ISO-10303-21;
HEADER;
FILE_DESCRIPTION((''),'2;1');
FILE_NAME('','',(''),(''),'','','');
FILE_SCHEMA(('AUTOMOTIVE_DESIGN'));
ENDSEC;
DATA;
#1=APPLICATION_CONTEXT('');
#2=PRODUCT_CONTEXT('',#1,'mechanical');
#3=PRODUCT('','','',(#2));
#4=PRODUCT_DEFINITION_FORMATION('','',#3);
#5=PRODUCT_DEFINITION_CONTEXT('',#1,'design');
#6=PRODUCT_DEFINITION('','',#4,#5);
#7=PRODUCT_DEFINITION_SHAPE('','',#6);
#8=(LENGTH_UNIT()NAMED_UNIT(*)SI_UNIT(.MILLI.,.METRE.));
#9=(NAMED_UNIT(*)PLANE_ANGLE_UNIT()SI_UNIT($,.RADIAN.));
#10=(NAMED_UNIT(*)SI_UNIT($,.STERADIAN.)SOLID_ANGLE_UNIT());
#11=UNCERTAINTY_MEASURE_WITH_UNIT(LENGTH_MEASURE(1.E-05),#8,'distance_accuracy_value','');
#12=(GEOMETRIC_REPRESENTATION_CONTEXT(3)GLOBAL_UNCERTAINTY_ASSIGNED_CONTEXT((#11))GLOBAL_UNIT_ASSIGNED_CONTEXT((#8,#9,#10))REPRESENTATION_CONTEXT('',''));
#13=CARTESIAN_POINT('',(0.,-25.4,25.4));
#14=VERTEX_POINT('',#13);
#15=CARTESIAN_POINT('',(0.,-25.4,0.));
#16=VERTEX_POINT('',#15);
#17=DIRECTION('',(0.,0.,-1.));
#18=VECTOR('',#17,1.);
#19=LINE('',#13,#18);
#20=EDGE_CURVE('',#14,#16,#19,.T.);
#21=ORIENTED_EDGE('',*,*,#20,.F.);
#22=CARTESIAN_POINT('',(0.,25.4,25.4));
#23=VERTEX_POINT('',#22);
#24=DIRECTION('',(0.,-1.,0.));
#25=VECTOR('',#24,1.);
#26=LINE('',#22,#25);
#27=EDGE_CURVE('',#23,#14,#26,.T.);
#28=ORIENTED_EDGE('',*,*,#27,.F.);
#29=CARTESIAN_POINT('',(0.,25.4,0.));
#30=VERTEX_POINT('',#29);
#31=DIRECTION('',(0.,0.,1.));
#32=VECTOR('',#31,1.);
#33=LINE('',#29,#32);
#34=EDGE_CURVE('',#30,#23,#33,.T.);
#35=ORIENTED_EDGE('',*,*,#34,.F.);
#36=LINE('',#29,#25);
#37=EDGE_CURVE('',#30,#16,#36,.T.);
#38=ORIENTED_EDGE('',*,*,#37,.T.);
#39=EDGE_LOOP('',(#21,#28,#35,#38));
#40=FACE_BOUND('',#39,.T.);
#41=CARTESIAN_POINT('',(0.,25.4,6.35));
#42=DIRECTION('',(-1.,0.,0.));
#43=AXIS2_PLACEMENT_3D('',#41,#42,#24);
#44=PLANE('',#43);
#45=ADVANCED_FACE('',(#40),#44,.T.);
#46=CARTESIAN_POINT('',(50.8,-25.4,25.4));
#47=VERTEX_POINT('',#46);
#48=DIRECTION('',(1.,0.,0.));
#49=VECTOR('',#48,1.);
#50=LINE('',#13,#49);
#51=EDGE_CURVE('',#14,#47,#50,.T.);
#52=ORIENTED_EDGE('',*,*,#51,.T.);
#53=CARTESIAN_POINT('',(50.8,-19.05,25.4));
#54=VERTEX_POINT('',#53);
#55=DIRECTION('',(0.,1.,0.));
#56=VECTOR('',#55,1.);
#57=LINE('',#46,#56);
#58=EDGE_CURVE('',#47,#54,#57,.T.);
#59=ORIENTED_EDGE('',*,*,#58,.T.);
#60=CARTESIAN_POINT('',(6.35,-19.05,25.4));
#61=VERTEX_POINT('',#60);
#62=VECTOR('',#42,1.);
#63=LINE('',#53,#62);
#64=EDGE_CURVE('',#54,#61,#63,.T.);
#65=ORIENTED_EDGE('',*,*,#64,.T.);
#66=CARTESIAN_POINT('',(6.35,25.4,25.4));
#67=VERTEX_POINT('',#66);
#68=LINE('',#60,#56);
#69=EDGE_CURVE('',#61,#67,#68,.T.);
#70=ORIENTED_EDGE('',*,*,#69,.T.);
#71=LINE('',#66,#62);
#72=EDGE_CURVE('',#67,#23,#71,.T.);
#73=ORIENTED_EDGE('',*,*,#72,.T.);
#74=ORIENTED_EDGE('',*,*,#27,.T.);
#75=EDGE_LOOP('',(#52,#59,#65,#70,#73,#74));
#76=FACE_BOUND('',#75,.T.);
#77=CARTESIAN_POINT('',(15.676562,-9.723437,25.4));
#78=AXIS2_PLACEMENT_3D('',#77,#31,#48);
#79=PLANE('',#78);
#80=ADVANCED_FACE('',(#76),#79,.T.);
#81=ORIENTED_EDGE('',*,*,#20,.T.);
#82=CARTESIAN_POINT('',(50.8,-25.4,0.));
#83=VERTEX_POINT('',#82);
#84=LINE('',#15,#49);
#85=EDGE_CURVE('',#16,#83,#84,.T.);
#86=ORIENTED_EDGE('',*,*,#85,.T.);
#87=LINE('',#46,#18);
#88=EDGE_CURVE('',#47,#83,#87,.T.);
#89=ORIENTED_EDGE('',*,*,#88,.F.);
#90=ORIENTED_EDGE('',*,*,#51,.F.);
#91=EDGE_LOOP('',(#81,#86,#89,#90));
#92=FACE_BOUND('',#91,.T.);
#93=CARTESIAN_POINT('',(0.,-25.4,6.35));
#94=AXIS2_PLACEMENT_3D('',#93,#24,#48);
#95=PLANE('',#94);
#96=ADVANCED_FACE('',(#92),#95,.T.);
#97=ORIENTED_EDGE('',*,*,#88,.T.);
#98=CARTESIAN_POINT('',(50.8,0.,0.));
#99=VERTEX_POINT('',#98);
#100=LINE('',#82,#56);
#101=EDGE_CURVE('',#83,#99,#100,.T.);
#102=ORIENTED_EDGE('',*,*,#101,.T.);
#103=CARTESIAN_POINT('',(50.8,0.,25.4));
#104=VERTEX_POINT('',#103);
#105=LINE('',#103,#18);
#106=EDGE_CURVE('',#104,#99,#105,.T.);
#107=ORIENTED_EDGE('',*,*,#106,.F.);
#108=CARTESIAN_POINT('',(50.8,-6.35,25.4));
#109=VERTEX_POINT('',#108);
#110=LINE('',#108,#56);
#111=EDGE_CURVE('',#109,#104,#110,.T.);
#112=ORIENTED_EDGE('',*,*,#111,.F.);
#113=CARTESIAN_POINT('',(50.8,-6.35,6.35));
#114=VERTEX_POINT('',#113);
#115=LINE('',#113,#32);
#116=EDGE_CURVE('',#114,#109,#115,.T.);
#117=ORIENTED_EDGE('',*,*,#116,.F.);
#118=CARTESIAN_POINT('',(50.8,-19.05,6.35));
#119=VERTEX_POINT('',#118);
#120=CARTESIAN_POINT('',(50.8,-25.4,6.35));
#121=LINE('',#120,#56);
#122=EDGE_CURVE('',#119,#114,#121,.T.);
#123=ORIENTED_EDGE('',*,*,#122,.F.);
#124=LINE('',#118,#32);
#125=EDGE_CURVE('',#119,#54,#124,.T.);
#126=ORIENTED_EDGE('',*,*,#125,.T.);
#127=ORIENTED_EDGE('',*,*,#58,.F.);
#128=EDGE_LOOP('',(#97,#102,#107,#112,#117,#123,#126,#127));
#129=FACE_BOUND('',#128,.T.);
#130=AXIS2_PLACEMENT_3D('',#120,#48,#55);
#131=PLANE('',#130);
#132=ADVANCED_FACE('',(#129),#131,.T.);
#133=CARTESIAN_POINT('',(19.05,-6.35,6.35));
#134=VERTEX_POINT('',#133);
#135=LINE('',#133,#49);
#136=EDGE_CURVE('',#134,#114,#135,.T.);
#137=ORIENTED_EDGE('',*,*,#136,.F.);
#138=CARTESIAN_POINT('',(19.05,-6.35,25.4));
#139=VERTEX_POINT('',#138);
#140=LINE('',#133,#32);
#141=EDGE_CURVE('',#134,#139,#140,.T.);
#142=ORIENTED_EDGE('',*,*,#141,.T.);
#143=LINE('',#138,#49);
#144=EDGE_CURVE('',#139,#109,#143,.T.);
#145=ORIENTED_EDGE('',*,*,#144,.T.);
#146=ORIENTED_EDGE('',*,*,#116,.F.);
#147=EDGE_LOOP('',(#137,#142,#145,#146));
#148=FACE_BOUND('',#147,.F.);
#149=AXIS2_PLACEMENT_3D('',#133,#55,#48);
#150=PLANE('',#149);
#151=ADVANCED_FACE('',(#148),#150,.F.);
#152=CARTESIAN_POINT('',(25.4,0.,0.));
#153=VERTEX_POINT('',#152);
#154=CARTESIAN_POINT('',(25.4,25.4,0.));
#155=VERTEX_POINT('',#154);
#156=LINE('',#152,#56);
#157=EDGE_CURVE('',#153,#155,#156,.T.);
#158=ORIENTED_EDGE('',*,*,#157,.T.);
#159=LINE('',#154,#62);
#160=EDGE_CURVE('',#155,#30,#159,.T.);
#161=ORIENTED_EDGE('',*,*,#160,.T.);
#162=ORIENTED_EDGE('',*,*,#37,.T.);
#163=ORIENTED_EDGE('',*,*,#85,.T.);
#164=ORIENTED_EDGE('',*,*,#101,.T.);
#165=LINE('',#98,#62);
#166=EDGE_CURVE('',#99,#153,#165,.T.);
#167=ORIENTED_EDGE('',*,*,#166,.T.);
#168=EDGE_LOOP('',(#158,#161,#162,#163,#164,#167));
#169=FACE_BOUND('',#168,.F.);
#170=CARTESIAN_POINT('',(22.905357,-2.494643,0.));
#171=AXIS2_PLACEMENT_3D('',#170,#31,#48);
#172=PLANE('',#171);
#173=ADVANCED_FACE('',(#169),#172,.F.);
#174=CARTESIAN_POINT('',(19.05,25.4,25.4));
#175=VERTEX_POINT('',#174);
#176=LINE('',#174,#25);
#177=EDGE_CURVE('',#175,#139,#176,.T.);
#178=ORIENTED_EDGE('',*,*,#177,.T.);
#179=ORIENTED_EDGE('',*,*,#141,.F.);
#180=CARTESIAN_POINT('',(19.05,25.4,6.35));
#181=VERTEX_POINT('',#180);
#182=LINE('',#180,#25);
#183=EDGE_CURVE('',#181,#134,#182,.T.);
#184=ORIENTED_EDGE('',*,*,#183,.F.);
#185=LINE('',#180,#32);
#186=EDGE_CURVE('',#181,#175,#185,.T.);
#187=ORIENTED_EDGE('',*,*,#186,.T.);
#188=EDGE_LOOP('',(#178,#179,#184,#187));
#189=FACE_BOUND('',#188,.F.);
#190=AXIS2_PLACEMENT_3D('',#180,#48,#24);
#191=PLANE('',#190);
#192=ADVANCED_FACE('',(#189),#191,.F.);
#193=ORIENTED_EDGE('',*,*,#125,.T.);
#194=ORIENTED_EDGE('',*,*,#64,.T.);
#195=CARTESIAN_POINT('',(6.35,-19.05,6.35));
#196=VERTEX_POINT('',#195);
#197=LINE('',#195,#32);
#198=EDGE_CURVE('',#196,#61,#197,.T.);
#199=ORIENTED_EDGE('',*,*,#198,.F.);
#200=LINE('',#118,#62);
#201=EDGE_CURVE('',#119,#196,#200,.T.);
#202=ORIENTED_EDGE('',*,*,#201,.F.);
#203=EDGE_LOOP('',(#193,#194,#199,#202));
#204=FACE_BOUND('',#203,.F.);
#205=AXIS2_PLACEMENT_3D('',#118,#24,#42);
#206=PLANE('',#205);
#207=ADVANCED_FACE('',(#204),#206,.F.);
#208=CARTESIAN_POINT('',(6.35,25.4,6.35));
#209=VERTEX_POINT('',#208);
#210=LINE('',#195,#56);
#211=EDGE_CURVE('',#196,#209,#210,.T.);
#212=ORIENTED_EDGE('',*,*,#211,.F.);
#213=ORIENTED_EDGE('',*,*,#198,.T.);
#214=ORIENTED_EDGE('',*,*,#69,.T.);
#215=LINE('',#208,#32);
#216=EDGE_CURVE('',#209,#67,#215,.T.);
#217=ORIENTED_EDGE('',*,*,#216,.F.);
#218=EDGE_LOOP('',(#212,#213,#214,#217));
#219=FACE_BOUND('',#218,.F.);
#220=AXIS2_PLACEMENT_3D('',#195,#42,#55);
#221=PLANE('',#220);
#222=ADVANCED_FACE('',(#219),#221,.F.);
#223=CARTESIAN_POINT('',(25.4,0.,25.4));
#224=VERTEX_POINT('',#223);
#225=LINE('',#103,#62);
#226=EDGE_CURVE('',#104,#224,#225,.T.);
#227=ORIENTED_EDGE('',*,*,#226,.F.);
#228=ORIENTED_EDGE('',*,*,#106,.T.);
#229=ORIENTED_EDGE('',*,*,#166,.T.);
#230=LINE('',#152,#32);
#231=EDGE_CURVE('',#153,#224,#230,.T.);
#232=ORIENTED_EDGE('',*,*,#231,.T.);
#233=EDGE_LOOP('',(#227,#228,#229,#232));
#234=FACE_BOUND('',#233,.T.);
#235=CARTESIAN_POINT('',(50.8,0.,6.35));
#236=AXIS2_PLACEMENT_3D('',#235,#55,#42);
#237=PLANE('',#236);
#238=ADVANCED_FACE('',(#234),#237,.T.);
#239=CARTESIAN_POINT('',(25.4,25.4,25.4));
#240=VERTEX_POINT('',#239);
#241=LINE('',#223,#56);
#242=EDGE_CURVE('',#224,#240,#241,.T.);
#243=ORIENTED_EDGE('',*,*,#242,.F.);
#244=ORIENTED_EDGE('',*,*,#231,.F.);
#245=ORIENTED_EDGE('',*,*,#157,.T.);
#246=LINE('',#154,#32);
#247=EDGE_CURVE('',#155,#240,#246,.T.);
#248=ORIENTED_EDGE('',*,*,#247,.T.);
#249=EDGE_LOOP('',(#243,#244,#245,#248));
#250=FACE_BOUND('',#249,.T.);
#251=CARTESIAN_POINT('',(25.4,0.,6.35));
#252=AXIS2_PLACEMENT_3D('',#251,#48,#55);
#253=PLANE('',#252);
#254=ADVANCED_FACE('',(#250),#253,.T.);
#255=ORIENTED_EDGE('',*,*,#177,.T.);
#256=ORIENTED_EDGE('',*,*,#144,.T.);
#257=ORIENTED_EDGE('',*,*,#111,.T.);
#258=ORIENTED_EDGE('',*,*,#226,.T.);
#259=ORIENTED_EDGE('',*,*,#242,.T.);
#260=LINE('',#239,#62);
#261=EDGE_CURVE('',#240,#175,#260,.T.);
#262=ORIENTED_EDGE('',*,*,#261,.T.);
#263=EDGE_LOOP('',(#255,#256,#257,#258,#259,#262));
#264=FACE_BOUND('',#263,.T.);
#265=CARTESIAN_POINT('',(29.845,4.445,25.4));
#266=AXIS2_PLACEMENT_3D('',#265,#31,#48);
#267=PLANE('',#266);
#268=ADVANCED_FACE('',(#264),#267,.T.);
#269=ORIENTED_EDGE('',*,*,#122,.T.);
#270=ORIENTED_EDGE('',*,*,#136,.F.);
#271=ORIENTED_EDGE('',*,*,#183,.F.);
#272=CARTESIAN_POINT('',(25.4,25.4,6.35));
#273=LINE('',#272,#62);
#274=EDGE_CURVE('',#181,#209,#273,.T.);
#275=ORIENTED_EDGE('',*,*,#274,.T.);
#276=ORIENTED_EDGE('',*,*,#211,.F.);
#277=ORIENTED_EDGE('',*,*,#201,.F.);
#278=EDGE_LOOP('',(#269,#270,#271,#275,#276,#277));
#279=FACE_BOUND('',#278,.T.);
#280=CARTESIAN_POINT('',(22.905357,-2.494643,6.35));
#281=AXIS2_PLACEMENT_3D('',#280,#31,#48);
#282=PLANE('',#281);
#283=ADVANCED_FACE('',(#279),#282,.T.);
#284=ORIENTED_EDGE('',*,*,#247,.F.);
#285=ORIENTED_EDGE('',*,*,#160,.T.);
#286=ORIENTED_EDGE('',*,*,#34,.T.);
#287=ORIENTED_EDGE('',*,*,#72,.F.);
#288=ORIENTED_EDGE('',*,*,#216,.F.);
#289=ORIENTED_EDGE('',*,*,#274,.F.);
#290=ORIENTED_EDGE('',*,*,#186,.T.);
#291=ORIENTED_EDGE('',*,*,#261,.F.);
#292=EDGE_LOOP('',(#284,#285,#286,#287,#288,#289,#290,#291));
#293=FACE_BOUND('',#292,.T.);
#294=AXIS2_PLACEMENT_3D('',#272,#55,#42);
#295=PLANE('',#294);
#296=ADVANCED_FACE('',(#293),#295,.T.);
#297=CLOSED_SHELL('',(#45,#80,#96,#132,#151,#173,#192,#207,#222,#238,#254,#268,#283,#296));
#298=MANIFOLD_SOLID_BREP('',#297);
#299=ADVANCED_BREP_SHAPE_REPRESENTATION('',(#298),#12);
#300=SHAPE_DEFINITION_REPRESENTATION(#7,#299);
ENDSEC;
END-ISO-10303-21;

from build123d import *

# Parameters (mm, degrees)
F1_DEPTH = 19.05
F2_DEPTH = 6.35


with BuildPart() as f1:
    # F0 (on Top) → F1 (new body)
    with BuildSketch(Plane.XY):
        Polygon((50.8, 0), (25.4, 0), (25.4, 25.4), (19.05, 25.4), (19.05, -6.35), (50.8, -6.35), align=None)
    extrude(amount=F1_DEPTH)



with BuildPart() as f1b:
    # F0 (on Top) → F1, piece 2 (new body)
    with BuildSketch(Plane.XY):
        Polygon((50.8, -25.4), (50.8, -19.05), (6.35, -19.05), (6.35, 25.4), (0, 25.4), (0, 0), (0, -25.4), (25.4, -25.4), align=None)
    extrude(amount=F1_DEPTH)


with BuildPart() as f1_1:
    add(f1.part)

    add(f1b.part)  # F2 merges F1b
    # F0 (on Top) → F2 (join)
    with BuildSketch(Plane.XY):
        Polygon((50.8, -19.05), (50.8, -6.35), (19.05, -6.35), (19.05, 25.4), (6.35, 25.4), (6.35, -19.05), align=None)
        Polygon((50.8, 0), (25.4, 0), (25.4, 25.4), (19.05, 25.4), (19.05, -6.35), (50.8, -6.35), align=None)
        Polygon((50.8, -25.4), (50.8, -19.05), (6.35, -19.05), (6.35, 25.4), (0, 25.4), (0, 0), (0, -25.4), (25.4, -25.4), align=None)
    extrude(amount=-F2_DEPTH)


with BuildPart() as f1_2:
    # F3: moved
    add(f1_1.part.moved(Location((0, 0, 6.35))))


solid = f1_2.part
